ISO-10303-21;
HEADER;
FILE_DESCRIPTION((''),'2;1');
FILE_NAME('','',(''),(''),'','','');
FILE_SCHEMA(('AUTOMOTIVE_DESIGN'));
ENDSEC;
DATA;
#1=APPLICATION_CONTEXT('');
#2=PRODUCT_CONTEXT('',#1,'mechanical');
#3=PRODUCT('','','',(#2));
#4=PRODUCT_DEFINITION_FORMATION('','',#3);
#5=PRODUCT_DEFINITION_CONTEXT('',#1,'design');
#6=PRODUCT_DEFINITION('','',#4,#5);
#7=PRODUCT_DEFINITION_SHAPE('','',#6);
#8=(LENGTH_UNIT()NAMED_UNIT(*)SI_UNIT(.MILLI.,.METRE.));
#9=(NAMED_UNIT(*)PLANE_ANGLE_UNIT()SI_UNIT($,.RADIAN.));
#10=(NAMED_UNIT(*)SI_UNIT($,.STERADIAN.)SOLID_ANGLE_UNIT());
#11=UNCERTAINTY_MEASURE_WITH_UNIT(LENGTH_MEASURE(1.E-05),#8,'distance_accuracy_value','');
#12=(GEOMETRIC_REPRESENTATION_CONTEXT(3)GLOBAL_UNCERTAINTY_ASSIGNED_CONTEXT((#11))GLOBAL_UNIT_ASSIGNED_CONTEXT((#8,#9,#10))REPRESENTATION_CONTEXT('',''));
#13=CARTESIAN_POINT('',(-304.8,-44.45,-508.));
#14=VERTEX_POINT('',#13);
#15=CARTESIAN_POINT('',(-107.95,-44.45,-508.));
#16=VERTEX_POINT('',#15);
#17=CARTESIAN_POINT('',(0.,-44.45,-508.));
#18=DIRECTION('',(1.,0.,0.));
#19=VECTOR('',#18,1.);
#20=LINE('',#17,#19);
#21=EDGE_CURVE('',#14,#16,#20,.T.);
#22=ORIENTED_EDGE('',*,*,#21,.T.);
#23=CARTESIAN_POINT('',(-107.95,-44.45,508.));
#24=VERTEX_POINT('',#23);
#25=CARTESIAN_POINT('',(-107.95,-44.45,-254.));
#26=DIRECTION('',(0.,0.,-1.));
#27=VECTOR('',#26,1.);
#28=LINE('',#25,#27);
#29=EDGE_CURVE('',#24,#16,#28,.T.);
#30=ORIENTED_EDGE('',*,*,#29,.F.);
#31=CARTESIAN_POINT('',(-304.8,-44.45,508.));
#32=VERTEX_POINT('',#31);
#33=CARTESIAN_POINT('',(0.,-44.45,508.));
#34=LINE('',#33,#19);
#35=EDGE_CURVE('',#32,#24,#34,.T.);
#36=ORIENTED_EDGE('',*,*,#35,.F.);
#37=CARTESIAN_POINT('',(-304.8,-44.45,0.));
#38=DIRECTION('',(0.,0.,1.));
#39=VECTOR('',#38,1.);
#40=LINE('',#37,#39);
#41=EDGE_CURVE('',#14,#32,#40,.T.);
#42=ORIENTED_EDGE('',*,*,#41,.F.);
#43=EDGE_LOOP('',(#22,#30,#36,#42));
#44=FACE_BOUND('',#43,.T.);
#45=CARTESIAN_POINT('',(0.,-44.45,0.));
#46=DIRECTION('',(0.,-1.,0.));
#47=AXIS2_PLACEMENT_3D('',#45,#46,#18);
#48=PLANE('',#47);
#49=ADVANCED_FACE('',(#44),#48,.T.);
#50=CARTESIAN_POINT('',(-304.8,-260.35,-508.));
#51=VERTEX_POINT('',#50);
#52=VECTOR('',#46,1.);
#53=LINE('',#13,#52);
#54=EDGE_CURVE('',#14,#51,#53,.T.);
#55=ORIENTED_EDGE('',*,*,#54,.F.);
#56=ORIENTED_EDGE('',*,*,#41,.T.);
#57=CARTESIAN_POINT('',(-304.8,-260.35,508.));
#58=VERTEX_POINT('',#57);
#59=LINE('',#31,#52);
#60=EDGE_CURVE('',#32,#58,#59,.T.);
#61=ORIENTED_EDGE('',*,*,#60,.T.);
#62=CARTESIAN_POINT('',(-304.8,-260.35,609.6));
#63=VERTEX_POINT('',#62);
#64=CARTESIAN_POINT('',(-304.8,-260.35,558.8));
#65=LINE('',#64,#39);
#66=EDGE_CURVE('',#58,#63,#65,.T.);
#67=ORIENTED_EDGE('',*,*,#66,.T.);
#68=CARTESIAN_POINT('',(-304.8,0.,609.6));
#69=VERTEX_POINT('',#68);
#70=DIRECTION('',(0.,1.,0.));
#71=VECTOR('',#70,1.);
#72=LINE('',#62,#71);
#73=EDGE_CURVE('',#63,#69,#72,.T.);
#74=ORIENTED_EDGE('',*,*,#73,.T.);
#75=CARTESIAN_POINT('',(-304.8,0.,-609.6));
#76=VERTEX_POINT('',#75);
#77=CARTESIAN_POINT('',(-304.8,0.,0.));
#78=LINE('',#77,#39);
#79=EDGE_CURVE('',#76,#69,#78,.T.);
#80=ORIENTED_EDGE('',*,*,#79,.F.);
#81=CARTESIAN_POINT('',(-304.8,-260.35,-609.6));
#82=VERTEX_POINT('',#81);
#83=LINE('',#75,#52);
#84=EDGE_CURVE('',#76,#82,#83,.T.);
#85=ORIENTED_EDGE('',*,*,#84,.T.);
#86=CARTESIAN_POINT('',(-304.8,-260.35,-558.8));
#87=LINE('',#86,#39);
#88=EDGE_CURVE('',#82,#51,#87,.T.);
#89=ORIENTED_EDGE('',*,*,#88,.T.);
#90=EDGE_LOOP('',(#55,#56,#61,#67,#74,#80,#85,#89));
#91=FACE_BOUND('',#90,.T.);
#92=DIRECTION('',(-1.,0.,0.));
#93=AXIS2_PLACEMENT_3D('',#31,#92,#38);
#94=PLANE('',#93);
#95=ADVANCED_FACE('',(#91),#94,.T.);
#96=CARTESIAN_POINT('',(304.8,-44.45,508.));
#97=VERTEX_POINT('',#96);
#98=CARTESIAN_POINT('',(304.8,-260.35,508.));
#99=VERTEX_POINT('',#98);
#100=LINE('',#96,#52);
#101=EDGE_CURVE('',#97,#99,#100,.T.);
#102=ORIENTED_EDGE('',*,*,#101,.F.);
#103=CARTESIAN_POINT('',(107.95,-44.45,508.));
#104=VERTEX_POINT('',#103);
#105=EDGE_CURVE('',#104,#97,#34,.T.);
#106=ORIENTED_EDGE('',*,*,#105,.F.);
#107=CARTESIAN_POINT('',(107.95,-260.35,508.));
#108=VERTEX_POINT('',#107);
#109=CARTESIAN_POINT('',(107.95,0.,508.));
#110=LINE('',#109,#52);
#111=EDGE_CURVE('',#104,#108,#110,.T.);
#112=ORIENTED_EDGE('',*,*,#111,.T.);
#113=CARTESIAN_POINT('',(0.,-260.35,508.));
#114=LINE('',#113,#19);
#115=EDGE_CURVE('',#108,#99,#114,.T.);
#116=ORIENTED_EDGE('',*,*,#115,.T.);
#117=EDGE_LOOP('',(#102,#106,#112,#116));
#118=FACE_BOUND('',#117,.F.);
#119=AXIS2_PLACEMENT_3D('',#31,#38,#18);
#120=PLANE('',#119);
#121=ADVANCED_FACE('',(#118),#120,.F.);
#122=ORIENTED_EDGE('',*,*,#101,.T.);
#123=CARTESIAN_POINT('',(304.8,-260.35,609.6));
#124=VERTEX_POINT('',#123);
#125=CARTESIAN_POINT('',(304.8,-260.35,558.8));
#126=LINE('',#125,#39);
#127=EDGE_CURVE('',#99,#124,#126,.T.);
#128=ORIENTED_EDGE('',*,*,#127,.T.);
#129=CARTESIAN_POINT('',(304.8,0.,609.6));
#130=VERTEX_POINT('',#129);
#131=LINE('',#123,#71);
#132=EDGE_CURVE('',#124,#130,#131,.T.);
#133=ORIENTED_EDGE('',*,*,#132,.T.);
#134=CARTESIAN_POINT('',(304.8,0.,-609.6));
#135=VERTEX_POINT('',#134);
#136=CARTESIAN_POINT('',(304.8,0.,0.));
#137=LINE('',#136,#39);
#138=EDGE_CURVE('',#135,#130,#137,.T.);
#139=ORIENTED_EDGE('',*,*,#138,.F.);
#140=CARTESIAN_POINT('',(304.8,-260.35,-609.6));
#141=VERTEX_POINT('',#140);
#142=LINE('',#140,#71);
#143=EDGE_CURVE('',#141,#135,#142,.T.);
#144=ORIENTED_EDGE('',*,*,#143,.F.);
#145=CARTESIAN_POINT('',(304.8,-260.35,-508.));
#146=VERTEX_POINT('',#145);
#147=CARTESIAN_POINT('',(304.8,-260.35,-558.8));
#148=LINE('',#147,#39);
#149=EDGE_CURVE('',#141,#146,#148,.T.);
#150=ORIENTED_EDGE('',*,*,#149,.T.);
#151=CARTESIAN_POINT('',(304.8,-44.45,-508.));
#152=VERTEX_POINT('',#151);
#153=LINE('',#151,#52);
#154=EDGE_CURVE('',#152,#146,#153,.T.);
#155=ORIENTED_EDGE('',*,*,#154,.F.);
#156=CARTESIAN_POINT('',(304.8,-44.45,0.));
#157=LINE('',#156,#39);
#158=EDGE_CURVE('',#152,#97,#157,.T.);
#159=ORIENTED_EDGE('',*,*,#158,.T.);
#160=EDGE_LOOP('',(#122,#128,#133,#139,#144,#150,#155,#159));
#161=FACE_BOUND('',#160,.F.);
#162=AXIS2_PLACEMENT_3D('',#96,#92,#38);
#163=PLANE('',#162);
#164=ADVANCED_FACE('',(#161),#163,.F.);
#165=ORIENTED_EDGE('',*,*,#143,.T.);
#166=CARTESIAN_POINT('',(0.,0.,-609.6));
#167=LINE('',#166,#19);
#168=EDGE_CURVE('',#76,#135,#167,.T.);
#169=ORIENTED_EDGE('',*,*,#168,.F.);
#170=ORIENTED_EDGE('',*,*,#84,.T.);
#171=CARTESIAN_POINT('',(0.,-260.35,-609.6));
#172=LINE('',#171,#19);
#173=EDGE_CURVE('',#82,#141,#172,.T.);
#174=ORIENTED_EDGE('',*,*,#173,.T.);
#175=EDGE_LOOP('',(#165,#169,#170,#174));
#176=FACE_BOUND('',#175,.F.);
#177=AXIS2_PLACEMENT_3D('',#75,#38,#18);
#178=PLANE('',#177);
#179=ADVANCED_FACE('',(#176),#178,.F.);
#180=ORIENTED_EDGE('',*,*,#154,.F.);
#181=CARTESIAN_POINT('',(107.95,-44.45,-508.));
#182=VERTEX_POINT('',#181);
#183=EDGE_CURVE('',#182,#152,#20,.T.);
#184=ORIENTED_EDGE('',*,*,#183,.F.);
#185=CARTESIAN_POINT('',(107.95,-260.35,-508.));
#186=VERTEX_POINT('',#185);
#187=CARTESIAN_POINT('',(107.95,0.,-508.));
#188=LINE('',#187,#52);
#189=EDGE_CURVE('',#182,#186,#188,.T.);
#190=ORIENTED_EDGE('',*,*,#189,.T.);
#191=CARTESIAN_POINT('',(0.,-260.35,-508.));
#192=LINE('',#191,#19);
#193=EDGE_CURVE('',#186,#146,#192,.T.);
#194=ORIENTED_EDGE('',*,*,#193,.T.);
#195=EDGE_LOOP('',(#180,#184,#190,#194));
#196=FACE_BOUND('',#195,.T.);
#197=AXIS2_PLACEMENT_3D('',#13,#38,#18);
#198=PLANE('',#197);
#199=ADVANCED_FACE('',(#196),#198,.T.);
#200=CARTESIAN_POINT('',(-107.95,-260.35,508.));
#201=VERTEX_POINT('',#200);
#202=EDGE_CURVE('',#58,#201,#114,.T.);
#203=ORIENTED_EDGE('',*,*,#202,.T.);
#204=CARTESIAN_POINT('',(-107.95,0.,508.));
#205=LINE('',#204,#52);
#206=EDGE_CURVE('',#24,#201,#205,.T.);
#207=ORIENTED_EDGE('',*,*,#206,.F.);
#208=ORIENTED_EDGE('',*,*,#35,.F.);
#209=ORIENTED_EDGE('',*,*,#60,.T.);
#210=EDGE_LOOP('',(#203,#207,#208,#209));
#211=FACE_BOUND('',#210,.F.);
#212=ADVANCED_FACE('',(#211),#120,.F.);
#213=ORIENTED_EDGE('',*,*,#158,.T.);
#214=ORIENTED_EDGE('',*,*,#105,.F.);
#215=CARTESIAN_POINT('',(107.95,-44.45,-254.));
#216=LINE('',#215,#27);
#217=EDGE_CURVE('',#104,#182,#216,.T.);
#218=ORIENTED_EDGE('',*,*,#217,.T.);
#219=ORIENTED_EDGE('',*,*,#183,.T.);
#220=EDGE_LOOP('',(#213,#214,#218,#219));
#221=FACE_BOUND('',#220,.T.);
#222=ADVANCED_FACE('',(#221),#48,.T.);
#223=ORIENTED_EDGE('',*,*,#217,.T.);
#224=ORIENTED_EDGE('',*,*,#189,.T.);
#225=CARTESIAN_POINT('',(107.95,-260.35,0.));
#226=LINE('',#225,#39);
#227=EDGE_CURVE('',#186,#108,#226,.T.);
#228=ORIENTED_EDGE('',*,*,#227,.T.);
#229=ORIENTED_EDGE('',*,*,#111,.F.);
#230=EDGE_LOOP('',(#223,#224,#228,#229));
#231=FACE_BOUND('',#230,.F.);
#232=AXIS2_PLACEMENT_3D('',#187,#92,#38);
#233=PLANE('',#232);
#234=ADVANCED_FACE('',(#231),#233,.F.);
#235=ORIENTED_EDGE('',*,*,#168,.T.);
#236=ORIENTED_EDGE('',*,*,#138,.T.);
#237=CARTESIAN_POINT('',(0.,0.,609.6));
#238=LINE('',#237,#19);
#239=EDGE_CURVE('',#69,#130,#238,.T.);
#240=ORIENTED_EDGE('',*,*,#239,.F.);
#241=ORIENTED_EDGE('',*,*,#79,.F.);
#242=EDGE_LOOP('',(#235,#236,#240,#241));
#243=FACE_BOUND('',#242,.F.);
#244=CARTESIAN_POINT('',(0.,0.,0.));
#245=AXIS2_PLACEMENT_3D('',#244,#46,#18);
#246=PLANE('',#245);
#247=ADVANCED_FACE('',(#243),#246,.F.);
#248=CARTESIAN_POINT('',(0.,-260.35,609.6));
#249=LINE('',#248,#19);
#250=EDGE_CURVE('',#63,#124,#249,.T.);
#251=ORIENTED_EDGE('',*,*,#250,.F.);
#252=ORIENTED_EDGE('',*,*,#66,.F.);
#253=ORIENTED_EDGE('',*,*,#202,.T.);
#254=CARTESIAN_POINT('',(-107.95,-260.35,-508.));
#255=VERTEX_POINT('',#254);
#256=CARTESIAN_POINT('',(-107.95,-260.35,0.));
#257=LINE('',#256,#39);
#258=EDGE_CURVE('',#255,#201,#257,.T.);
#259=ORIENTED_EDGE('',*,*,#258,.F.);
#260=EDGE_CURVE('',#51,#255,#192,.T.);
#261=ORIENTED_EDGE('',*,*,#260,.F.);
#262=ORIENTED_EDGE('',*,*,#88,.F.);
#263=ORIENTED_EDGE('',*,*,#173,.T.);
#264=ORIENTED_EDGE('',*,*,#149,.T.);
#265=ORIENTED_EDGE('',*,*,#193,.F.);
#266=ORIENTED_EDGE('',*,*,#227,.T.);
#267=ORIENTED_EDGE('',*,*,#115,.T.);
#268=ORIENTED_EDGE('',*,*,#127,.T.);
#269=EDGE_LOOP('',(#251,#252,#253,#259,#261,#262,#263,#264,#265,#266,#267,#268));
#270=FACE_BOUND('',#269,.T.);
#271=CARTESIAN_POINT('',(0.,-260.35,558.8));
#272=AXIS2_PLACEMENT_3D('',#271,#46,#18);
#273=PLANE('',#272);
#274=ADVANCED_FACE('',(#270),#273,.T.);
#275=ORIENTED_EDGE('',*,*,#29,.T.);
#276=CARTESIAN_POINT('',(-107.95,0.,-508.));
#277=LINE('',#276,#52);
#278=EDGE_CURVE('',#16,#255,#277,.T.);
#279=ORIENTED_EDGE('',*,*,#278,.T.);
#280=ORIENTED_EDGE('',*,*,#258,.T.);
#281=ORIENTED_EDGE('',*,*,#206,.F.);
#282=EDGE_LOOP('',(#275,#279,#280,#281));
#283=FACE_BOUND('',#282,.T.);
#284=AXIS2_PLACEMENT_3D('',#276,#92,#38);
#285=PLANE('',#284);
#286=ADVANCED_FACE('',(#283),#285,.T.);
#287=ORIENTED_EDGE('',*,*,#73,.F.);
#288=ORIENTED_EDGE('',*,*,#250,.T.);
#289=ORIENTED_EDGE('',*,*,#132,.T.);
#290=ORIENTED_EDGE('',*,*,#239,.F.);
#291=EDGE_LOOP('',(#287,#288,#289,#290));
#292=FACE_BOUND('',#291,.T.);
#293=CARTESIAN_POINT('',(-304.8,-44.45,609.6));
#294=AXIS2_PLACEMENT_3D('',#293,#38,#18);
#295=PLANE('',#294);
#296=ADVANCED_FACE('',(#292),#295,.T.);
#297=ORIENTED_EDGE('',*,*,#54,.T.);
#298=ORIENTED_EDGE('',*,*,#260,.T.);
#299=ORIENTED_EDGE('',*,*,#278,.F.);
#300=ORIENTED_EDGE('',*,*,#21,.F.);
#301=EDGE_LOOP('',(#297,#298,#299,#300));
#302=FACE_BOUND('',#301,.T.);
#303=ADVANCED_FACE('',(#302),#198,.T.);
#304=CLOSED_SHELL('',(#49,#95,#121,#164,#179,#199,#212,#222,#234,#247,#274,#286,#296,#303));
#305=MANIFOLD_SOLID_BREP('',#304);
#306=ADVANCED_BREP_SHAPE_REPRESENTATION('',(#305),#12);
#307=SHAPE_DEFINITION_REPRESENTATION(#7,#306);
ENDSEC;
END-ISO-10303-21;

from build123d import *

# Parameters (mm, degrees)
F0_W     = 609.6
F0_H     = 1219.2
F1_DEPTH = 44.45
F2_W     = 609.6
F2_H     = 101.6
F3_DEPTH = 215.9
F4_W     = 215.9
F4_H     = 1016
F5_DEPTH = 260.35


with BuildPart() as f1:
    # F0 (on Front) → F1 (new body)
    with BuildSketch(Plane.XZ):
        Rectangle(F0_W, F0_H)
    extrude(amount=F1_DEPTH)

    # F2 (on face) → F3 (join)
    with BuildSketch(Plane.XZ.offset(44.45)):
        with Locations((0, 558.8)):
            Rectangle(F2_W, F2_H)
        with Locations((0, -558.8)):
            Rectangle(F2_W, F2_H)
    extrude(amount=F3_DEPTH)

    # F4 (on Front) → F5 (join)
    with BuildSketch(Plane.XZ):
        Rectangle(F4_W, F4_H)
    extrude(amount=F5_DEPTH)


solid = f1.part
